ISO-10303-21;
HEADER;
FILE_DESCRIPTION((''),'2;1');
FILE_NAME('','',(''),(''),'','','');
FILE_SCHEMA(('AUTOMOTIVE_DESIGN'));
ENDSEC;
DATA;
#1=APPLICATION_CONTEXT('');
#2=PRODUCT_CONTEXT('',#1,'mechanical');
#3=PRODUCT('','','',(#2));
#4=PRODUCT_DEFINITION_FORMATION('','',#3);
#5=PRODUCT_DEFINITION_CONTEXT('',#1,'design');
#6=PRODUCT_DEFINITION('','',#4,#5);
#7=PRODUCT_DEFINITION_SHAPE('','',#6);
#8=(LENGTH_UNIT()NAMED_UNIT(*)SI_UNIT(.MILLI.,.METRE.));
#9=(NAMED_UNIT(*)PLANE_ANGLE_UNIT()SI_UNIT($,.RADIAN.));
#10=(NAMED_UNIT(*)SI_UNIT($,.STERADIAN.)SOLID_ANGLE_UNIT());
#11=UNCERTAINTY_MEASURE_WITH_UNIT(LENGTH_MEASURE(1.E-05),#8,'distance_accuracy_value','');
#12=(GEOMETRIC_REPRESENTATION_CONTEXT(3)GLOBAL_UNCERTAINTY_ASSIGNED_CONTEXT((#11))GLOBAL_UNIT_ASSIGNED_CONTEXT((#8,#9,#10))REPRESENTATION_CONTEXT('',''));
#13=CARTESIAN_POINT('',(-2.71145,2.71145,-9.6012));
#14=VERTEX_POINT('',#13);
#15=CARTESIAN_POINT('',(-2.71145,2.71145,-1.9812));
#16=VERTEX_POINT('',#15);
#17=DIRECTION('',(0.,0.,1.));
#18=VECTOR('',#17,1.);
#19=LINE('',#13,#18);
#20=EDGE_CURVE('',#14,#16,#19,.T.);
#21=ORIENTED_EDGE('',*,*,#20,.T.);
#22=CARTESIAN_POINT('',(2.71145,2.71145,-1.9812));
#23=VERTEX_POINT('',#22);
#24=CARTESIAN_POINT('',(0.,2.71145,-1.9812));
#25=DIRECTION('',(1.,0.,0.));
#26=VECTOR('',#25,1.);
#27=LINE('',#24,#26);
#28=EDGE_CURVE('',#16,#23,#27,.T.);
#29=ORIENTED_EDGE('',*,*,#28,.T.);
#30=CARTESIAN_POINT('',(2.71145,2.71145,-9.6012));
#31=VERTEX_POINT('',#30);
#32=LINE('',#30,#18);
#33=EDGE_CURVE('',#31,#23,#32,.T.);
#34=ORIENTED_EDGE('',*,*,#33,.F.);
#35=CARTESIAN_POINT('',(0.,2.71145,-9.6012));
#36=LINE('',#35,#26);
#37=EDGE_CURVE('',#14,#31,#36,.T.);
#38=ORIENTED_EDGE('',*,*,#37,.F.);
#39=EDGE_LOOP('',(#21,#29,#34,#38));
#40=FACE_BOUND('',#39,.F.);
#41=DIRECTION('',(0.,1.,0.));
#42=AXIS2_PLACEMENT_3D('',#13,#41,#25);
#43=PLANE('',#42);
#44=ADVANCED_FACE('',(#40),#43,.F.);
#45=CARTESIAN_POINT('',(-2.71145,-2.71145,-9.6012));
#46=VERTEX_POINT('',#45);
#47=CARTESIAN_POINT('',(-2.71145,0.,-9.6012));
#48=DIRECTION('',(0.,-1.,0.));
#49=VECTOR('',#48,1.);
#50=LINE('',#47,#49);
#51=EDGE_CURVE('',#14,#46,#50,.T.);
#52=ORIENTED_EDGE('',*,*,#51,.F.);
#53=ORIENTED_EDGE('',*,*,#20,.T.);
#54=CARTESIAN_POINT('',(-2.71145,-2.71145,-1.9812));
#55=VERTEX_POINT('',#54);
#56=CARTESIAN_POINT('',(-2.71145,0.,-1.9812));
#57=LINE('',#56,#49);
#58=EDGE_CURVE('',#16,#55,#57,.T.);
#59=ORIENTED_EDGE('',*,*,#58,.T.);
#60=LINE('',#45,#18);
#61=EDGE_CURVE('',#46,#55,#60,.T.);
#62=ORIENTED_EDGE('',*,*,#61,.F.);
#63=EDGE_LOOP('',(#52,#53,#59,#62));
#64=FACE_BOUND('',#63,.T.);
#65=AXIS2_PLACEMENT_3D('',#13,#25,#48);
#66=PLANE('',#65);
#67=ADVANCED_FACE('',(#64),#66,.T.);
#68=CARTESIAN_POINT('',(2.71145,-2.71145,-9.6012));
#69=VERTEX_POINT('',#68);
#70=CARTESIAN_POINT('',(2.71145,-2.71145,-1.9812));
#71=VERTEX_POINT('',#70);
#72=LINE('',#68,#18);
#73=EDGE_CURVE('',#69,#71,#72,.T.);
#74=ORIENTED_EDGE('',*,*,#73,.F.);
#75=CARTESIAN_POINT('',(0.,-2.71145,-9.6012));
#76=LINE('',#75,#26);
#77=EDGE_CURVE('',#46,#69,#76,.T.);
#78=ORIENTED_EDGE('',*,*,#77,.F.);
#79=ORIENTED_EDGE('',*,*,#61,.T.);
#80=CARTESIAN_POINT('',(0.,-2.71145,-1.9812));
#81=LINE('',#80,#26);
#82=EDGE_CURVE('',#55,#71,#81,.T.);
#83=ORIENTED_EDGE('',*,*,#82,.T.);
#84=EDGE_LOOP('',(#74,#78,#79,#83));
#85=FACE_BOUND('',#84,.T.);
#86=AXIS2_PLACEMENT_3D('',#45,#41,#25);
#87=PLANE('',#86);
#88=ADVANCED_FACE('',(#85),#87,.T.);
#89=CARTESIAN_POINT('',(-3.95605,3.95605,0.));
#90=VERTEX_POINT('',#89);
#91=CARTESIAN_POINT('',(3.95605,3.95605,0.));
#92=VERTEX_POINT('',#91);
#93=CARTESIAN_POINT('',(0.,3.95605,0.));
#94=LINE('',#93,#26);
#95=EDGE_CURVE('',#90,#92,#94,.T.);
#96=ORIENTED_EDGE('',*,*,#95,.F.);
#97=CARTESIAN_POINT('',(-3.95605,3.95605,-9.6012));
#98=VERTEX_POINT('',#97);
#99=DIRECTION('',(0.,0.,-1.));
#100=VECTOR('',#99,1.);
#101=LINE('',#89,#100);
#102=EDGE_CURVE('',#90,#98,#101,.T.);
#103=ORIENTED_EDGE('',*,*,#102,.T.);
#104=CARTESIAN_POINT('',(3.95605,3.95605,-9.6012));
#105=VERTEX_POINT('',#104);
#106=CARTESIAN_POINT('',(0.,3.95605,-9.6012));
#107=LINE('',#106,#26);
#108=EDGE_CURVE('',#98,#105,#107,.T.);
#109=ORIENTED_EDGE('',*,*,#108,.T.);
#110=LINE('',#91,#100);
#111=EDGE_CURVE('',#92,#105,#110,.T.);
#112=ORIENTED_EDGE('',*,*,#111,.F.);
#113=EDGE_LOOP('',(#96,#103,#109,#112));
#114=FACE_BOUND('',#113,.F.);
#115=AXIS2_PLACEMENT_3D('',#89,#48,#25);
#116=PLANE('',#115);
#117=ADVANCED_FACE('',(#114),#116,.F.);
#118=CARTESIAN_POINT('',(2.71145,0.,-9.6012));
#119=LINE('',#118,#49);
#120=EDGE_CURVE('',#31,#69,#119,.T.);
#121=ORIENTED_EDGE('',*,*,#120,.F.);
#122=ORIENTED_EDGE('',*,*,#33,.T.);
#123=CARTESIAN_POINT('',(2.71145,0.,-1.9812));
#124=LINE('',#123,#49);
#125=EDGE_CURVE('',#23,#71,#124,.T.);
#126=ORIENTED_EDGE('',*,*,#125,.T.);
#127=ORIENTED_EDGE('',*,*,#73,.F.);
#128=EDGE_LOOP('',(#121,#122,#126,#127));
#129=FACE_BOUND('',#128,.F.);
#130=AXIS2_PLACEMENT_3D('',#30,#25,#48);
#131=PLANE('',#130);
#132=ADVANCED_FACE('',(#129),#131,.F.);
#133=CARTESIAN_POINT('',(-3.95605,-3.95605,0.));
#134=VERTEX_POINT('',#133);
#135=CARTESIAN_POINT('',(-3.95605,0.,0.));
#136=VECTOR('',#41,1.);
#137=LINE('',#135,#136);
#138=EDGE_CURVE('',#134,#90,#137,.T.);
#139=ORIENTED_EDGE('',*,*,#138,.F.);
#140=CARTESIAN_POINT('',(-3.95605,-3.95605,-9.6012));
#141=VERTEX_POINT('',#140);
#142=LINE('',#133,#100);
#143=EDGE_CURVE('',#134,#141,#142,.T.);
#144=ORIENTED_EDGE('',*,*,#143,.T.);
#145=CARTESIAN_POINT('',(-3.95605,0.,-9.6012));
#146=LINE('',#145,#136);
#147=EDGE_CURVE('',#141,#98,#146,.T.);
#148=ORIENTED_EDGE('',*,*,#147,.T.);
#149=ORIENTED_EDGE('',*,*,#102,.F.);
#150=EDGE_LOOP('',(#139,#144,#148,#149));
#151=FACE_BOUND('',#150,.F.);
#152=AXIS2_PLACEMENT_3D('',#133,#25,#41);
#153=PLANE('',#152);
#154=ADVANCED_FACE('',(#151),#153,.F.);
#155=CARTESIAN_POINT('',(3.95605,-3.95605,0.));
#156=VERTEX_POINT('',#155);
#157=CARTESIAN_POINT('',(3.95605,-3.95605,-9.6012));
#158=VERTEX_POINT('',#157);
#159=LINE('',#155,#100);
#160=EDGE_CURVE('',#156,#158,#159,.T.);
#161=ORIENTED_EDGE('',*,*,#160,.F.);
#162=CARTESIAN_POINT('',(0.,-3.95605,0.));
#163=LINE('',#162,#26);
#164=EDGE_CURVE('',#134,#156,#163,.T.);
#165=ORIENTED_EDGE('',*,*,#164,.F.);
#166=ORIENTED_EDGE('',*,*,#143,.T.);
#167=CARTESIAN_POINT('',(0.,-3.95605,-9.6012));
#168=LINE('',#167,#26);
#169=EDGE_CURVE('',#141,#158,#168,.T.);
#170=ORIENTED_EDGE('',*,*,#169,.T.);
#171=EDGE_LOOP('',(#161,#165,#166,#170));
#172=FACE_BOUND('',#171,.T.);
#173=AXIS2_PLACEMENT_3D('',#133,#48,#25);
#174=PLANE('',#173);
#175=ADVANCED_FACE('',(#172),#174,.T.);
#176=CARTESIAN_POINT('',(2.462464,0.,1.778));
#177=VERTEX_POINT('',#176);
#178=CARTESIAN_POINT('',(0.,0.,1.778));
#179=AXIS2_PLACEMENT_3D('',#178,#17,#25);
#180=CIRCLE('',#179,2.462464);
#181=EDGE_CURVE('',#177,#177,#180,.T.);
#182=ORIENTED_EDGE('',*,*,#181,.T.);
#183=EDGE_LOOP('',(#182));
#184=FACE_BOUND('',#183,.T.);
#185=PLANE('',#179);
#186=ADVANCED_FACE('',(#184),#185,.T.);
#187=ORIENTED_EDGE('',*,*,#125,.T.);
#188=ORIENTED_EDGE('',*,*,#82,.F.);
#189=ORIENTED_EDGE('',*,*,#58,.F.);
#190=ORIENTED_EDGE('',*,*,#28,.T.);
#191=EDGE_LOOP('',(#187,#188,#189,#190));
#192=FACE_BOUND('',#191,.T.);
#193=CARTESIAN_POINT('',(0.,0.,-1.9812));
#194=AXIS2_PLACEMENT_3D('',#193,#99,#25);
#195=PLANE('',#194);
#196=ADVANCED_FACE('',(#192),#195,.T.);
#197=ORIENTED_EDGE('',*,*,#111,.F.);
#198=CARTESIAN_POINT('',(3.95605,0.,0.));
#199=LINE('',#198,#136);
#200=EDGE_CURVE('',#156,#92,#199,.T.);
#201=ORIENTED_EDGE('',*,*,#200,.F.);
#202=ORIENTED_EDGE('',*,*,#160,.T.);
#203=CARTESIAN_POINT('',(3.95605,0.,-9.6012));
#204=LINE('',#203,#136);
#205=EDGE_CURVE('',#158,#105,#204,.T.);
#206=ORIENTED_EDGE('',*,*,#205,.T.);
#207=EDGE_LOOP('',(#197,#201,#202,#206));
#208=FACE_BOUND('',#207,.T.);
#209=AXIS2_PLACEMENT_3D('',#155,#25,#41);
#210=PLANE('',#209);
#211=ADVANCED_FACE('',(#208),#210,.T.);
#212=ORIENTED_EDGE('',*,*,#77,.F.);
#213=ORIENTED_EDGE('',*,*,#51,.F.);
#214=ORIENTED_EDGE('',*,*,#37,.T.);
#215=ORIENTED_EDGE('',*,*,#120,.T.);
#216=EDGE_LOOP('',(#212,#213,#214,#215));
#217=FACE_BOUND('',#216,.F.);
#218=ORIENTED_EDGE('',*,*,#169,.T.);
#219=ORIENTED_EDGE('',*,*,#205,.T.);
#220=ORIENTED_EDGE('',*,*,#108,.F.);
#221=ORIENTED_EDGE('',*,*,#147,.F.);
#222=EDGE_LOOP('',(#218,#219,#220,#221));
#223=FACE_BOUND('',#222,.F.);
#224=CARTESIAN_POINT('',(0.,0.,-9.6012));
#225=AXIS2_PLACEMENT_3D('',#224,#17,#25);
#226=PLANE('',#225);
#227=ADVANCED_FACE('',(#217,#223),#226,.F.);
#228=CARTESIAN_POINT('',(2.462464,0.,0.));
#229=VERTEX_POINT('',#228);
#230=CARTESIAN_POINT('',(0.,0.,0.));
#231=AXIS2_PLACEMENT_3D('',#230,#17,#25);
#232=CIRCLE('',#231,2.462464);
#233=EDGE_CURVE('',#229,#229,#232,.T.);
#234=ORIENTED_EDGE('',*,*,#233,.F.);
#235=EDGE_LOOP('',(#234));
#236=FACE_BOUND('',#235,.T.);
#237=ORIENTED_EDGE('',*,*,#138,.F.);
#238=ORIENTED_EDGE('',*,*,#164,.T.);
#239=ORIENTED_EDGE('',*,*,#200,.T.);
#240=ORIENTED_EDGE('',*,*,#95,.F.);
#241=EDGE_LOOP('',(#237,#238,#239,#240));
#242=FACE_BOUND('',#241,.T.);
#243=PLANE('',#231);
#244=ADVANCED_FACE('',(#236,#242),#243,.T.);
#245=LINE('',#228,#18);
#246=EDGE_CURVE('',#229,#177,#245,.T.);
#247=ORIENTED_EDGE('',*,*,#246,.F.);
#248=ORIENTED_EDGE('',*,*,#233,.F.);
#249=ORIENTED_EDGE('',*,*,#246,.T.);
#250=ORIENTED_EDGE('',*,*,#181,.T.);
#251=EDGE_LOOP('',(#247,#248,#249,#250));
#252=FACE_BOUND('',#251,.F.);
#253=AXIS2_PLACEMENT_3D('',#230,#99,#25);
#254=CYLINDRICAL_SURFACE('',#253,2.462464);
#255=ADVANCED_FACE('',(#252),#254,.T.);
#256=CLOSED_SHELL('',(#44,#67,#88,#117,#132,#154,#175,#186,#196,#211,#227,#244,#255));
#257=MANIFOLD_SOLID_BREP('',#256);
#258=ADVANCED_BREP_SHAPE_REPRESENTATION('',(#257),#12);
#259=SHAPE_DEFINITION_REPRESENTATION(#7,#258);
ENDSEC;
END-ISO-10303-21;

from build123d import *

# Parameters (mm, degrees)
F0_W     = 7.9121
F0_H     = 7.9121
F2_DEPTH = 9.6012
F1_R     = 2.462464
F3_DEPTH = 1.778
F4_W     = 5.4229
F4_H     = 5.4229
F5_DEPTH = 7.62


with BuildPart() as f2:
    # F0 (on Top) → F2 (new body)
    with BuildSketch(Plane.XY):
        Rectangle(F0_W, F0_H)
    extrude(amount=-F2_DEPTH)

    # F1 (on face) → F3 (join)
    with BuildSketch(Plane.XY):
        Circle(F1_R)
    extrude(amount=F3_DEPTH)

    # F4 (on face) → F5 (cut)
    with BuildSketch(Plane(origin=(0, 0, -9.6012), x_dir=(1, 0, 0), z_dir=(0, 0, -1))):
        Rectangle(F4_W, F4_H)
    extrude(amount=-F5_DEPTH, mode=Mode.SUBTRACT)


solid = f2.part
